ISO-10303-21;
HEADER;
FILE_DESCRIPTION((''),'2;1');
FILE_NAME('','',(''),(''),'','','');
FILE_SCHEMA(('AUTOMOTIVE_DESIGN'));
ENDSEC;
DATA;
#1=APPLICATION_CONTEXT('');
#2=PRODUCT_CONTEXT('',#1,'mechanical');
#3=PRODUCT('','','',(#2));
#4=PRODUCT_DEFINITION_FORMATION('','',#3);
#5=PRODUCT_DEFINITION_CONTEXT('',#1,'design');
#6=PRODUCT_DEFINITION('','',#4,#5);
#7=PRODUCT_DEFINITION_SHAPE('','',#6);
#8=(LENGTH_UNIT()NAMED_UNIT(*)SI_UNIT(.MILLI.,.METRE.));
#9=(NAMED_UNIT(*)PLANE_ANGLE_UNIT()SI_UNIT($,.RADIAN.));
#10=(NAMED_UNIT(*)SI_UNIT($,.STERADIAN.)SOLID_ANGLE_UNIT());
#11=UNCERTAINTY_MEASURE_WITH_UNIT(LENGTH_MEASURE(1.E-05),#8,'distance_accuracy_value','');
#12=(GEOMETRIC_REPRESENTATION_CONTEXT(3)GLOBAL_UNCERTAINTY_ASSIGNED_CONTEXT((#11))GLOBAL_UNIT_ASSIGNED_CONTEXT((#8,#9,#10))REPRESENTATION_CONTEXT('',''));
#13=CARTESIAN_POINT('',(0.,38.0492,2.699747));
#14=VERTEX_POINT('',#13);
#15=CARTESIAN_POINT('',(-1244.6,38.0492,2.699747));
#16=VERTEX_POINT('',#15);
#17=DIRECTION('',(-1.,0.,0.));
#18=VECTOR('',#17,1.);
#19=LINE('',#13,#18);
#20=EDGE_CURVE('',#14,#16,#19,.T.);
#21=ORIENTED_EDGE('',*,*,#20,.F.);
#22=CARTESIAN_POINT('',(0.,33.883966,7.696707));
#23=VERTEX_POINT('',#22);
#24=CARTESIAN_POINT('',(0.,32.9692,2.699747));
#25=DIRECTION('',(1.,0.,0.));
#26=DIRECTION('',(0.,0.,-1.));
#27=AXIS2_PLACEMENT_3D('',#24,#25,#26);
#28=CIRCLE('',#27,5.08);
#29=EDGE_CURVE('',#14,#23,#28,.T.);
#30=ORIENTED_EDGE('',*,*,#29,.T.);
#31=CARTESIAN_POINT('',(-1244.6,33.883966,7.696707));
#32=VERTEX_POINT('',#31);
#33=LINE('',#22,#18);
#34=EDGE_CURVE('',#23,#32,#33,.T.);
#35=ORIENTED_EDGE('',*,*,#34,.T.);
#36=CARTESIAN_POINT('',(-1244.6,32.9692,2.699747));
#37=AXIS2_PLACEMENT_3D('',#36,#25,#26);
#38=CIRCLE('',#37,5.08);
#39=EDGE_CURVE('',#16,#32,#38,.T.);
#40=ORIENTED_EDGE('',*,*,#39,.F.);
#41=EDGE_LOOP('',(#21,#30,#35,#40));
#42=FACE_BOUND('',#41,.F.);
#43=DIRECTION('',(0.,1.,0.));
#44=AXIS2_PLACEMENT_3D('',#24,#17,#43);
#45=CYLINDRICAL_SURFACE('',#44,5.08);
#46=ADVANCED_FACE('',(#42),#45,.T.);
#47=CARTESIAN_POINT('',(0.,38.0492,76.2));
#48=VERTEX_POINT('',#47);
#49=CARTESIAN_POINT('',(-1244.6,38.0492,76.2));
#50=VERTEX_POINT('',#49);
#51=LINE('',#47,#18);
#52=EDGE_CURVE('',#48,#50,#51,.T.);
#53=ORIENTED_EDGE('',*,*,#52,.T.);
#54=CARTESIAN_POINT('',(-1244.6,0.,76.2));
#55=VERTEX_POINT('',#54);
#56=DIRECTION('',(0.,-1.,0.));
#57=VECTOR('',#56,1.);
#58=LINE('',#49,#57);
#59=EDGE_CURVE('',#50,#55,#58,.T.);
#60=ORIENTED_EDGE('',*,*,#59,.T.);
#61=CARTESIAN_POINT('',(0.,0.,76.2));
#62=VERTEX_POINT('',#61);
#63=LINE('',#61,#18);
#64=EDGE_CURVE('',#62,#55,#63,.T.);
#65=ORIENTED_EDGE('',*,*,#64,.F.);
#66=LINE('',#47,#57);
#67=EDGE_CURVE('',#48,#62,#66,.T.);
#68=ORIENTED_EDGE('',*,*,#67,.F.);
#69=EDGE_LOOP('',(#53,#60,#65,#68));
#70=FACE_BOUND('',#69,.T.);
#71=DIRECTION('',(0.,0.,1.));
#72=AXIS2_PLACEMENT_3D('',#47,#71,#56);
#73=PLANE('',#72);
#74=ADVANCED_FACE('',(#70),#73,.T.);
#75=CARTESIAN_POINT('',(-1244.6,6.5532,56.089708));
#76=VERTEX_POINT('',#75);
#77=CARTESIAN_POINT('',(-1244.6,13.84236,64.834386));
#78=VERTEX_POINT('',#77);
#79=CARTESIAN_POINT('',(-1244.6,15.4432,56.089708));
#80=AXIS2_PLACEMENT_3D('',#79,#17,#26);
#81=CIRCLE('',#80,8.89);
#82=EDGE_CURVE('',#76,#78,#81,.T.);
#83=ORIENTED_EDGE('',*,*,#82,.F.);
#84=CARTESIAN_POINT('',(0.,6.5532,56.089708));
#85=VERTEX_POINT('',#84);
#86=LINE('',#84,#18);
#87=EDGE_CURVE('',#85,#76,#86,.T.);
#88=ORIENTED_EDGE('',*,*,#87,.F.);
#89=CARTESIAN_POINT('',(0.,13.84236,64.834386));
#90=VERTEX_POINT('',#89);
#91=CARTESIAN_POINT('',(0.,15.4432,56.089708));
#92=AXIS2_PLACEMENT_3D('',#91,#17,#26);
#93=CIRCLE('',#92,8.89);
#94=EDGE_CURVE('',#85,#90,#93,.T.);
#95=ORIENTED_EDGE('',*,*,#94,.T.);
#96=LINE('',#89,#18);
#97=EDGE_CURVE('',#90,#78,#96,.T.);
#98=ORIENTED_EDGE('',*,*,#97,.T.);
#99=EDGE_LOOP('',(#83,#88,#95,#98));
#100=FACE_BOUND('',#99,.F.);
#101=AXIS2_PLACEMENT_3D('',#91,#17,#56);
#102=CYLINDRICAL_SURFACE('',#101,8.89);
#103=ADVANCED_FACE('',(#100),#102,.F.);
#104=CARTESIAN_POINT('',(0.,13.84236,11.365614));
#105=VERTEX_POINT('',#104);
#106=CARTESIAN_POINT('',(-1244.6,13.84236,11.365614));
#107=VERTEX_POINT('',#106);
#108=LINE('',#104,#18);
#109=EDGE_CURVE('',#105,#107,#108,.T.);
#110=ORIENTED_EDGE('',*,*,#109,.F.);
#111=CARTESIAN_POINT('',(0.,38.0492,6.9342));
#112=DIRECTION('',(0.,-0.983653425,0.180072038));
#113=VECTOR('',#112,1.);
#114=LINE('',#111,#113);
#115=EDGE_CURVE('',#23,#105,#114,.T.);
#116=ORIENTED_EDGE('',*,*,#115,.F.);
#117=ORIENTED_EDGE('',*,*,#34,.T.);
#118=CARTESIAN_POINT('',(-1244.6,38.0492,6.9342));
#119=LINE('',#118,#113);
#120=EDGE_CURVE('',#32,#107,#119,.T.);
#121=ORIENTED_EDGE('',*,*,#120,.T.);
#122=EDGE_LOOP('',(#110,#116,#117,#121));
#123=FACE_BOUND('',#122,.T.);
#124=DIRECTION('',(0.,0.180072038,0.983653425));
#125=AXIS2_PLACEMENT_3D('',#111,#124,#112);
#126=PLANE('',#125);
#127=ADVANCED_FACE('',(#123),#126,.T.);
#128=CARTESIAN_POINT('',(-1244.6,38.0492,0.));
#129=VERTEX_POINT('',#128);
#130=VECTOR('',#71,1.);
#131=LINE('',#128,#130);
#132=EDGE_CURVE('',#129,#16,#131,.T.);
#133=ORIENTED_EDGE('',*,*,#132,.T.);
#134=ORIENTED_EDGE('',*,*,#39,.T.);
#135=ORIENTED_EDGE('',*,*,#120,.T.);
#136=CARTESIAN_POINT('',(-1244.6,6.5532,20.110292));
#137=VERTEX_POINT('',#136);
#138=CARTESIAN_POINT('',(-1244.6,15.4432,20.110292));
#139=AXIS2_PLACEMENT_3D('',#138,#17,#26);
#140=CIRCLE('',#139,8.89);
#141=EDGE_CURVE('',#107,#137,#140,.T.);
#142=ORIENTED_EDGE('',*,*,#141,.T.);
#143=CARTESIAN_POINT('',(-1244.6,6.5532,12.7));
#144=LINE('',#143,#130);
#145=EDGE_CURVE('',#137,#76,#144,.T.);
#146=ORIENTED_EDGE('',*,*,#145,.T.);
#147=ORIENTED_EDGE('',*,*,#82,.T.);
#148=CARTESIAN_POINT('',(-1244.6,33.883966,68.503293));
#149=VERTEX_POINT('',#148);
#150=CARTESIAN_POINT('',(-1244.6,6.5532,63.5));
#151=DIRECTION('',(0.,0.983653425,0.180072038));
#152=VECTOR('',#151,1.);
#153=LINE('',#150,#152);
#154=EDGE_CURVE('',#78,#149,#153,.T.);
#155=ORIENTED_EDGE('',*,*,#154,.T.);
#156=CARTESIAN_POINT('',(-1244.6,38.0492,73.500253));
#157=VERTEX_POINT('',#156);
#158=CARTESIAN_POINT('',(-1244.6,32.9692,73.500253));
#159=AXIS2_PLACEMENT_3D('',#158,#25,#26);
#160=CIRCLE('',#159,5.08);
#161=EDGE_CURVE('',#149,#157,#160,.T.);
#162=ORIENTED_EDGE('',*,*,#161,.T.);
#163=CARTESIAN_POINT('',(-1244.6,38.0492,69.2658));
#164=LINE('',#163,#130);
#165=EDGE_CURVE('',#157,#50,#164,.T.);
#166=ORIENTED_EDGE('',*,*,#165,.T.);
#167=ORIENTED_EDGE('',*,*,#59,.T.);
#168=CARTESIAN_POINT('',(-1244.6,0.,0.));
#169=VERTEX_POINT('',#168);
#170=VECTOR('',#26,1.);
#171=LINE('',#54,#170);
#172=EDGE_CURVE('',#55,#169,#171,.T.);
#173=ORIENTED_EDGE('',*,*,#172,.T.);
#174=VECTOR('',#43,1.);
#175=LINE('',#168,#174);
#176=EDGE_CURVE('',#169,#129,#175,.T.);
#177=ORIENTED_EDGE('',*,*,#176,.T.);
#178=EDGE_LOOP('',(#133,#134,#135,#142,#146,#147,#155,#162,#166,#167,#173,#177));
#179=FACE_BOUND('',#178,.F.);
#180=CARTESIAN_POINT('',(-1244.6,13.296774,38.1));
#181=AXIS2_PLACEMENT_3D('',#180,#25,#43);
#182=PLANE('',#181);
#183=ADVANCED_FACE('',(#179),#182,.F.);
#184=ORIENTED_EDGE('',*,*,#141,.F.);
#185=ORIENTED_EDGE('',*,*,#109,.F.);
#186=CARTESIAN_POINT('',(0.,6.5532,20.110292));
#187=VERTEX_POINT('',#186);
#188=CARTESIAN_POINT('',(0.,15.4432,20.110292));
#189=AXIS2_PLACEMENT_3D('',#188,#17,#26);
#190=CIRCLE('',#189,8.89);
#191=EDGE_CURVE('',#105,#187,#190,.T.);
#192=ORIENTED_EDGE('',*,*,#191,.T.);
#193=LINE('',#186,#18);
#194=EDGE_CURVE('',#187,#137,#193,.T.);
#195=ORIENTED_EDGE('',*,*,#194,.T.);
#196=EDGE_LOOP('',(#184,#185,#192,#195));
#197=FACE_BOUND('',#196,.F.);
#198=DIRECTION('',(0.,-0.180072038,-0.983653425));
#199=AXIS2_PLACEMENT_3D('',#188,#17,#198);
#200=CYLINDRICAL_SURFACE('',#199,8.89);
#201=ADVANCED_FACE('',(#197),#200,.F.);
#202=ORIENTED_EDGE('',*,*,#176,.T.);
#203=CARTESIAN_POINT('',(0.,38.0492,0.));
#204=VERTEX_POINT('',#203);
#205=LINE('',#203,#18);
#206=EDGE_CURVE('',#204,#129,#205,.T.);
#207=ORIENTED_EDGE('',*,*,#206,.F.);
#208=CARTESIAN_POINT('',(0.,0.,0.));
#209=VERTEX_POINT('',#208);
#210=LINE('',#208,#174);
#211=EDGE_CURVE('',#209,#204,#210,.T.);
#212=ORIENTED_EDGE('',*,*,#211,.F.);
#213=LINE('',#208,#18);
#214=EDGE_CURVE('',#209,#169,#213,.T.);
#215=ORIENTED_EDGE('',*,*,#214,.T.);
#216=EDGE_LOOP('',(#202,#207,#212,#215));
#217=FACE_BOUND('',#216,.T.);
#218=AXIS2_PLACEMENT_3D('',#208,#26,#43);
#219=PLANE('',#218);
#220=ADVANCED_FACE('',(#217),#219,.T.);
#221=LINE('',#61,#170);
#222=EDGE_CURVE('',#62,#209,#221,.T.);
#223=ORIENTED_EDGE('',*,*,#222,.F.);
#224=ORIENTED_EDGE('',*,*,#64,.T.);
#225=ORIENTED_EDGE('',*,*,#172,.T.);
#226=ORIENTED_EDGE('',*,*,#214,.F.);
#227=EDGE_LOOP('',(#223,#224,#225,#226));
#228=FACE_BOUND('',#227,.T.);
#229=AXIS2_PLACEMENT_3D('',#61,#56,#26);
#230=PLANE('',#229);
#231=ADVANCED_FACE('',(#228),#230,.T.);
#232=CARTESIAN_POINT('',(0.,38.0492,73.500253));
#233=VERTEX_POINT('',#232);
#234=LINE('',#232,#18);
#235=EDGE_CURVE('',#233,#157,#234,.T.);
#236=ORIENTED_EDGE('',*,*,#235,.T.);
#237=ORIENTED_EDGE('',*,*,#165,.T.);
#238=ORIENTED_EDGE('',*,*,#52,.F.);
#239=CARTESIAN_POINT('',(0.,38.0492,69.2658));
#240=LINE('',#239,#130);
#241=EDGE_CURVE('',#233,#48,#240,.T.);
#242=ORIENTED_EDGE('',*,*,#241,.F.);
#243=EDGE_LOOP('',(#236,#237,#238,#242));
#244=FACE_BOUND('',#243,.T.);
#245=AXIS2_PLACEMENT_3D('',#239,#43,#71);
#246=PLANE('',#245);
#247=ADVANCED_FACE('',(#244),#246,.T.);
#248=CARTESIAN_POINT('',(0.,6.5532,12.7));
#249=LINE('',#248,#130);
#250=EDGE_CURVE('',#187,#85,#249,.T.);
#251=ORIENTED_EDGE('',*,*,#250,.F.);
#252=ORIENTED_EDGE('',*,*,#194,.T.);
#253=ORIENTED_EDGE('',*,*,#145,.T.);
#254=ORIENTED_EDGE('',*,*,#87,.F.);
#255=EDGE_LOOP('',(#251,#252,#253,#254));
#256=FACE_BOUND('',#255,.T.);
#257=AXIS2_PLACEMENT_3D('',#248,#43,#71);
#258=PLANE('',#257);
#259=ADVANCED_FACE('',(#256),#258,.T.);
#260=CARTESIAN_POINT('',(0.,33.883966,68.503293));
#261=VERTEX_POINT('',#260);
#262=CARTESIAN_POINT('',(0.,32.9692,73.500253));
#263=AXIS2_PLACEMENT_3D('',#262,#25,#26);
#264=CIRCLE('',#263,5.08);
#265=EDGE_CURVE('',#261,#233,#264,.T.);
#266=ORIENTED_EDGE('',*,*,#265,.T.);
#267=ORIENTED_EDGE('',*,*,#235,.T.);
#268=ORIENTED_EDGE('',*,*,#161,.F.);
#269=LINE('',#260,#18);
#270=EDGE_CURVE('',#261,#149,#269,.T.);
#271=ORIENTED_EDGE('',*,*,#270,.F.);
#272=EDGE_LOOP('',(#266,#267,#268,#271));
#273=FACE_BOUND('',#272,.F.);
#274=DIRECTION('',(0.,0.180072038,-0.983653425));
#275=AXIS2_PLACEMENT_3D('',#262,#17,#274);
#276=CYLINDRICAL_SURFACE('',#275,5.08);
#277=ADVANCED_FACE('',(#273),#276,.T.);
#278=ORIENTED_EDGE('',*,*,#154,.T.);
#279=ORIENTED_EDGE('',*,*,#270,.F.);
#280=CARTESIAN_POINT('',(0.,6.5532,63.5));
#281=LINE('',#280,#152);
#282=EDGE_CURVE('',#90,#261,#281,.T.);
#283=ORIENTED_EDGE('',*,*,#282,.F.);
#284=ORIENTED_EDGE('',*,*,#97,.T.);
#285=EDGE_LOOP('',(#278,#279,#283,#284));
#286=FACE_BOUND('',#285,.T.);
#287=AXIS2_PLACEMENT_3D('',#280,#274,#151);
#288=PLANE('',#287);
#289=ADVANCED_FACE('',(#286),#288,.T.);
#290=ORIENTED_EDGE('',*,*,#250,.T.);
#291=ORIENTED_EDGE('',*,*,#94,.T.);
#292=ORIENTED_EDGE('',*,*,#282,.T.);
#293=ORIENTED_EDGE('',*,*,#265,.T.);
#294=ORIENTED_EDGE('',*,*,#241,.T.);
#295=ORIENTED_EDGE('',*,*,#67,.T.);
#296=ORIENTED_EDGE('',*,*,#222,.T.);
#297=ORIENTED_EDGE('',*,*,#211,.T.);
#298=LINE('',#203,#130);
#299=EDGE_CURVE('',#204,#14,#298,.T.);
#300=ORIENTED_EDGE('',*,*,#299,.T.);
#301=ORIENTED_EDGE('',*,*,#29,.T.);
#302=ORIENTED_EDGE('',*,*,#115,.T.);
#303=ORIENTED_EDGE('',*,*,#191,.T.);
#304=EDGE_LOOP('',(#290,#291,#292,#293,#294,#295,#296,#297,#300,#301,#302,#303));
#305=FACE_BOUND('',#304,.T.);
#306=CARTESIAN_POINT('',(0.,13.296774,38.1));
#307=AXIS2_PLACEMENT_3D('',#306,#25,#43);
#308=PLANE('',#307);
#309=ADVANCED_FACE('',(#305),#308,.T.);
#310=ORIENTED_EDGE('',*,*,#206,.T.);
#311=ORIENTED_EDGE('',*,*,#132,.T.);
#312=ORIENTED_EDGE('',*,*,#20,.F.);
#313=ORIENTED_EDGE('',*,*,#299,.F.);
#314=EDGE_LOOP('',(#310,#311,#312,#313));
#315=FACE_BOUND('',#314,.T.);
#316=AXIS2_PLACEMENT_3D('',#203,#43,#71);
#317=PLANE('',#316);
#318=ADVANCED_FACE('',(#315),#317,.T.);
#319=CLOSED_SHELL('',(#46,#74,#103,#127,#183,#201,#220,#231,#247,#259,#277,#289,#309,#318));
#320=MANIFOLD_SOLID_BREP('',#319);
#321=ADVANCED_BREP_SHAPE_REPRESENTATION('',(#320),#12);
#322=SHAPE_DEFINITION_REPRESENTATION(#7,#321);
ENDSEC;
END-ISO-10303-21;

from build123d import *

# Parameters (mm, degrees)
F1_DEPTH = 1244.6
F2_R     = 5.08
F3_R     = 8.89


with BuildPart() as f1:
    # F0 (on Right) → F1 (new body)
    with BuildSketch(Plane.YZ):
        Polygon((0, 76.2), (0, 0), (38.0492, 0), (38.0492, 6.9342), (6.5532, 12.7), (6.5532, 63.5), (38.0492, 69.2658), (38.0492, 76.2), align=None)
    extrude(amount=-F1_DEPTH)

    # F2
    f2_edges = [f1.edges().sort_by_distance(p)[0] for p in [
        (-622.3, 38.0492, 69.2658),
        (-622.3, 38.0492, 6.9342),
    ]]
    fillet(f2_edges, radius=F2_R)

    # F3
    f3_edges = [f1.edges().sort_by_distance(p)[0] for p in [
        (-622.3, 6.5532, 12.7),
        (-622.3, 6.5532, 63.5),
    ]]
    fillet(f3_edges, radius=F3_R)


solid = f1.part
